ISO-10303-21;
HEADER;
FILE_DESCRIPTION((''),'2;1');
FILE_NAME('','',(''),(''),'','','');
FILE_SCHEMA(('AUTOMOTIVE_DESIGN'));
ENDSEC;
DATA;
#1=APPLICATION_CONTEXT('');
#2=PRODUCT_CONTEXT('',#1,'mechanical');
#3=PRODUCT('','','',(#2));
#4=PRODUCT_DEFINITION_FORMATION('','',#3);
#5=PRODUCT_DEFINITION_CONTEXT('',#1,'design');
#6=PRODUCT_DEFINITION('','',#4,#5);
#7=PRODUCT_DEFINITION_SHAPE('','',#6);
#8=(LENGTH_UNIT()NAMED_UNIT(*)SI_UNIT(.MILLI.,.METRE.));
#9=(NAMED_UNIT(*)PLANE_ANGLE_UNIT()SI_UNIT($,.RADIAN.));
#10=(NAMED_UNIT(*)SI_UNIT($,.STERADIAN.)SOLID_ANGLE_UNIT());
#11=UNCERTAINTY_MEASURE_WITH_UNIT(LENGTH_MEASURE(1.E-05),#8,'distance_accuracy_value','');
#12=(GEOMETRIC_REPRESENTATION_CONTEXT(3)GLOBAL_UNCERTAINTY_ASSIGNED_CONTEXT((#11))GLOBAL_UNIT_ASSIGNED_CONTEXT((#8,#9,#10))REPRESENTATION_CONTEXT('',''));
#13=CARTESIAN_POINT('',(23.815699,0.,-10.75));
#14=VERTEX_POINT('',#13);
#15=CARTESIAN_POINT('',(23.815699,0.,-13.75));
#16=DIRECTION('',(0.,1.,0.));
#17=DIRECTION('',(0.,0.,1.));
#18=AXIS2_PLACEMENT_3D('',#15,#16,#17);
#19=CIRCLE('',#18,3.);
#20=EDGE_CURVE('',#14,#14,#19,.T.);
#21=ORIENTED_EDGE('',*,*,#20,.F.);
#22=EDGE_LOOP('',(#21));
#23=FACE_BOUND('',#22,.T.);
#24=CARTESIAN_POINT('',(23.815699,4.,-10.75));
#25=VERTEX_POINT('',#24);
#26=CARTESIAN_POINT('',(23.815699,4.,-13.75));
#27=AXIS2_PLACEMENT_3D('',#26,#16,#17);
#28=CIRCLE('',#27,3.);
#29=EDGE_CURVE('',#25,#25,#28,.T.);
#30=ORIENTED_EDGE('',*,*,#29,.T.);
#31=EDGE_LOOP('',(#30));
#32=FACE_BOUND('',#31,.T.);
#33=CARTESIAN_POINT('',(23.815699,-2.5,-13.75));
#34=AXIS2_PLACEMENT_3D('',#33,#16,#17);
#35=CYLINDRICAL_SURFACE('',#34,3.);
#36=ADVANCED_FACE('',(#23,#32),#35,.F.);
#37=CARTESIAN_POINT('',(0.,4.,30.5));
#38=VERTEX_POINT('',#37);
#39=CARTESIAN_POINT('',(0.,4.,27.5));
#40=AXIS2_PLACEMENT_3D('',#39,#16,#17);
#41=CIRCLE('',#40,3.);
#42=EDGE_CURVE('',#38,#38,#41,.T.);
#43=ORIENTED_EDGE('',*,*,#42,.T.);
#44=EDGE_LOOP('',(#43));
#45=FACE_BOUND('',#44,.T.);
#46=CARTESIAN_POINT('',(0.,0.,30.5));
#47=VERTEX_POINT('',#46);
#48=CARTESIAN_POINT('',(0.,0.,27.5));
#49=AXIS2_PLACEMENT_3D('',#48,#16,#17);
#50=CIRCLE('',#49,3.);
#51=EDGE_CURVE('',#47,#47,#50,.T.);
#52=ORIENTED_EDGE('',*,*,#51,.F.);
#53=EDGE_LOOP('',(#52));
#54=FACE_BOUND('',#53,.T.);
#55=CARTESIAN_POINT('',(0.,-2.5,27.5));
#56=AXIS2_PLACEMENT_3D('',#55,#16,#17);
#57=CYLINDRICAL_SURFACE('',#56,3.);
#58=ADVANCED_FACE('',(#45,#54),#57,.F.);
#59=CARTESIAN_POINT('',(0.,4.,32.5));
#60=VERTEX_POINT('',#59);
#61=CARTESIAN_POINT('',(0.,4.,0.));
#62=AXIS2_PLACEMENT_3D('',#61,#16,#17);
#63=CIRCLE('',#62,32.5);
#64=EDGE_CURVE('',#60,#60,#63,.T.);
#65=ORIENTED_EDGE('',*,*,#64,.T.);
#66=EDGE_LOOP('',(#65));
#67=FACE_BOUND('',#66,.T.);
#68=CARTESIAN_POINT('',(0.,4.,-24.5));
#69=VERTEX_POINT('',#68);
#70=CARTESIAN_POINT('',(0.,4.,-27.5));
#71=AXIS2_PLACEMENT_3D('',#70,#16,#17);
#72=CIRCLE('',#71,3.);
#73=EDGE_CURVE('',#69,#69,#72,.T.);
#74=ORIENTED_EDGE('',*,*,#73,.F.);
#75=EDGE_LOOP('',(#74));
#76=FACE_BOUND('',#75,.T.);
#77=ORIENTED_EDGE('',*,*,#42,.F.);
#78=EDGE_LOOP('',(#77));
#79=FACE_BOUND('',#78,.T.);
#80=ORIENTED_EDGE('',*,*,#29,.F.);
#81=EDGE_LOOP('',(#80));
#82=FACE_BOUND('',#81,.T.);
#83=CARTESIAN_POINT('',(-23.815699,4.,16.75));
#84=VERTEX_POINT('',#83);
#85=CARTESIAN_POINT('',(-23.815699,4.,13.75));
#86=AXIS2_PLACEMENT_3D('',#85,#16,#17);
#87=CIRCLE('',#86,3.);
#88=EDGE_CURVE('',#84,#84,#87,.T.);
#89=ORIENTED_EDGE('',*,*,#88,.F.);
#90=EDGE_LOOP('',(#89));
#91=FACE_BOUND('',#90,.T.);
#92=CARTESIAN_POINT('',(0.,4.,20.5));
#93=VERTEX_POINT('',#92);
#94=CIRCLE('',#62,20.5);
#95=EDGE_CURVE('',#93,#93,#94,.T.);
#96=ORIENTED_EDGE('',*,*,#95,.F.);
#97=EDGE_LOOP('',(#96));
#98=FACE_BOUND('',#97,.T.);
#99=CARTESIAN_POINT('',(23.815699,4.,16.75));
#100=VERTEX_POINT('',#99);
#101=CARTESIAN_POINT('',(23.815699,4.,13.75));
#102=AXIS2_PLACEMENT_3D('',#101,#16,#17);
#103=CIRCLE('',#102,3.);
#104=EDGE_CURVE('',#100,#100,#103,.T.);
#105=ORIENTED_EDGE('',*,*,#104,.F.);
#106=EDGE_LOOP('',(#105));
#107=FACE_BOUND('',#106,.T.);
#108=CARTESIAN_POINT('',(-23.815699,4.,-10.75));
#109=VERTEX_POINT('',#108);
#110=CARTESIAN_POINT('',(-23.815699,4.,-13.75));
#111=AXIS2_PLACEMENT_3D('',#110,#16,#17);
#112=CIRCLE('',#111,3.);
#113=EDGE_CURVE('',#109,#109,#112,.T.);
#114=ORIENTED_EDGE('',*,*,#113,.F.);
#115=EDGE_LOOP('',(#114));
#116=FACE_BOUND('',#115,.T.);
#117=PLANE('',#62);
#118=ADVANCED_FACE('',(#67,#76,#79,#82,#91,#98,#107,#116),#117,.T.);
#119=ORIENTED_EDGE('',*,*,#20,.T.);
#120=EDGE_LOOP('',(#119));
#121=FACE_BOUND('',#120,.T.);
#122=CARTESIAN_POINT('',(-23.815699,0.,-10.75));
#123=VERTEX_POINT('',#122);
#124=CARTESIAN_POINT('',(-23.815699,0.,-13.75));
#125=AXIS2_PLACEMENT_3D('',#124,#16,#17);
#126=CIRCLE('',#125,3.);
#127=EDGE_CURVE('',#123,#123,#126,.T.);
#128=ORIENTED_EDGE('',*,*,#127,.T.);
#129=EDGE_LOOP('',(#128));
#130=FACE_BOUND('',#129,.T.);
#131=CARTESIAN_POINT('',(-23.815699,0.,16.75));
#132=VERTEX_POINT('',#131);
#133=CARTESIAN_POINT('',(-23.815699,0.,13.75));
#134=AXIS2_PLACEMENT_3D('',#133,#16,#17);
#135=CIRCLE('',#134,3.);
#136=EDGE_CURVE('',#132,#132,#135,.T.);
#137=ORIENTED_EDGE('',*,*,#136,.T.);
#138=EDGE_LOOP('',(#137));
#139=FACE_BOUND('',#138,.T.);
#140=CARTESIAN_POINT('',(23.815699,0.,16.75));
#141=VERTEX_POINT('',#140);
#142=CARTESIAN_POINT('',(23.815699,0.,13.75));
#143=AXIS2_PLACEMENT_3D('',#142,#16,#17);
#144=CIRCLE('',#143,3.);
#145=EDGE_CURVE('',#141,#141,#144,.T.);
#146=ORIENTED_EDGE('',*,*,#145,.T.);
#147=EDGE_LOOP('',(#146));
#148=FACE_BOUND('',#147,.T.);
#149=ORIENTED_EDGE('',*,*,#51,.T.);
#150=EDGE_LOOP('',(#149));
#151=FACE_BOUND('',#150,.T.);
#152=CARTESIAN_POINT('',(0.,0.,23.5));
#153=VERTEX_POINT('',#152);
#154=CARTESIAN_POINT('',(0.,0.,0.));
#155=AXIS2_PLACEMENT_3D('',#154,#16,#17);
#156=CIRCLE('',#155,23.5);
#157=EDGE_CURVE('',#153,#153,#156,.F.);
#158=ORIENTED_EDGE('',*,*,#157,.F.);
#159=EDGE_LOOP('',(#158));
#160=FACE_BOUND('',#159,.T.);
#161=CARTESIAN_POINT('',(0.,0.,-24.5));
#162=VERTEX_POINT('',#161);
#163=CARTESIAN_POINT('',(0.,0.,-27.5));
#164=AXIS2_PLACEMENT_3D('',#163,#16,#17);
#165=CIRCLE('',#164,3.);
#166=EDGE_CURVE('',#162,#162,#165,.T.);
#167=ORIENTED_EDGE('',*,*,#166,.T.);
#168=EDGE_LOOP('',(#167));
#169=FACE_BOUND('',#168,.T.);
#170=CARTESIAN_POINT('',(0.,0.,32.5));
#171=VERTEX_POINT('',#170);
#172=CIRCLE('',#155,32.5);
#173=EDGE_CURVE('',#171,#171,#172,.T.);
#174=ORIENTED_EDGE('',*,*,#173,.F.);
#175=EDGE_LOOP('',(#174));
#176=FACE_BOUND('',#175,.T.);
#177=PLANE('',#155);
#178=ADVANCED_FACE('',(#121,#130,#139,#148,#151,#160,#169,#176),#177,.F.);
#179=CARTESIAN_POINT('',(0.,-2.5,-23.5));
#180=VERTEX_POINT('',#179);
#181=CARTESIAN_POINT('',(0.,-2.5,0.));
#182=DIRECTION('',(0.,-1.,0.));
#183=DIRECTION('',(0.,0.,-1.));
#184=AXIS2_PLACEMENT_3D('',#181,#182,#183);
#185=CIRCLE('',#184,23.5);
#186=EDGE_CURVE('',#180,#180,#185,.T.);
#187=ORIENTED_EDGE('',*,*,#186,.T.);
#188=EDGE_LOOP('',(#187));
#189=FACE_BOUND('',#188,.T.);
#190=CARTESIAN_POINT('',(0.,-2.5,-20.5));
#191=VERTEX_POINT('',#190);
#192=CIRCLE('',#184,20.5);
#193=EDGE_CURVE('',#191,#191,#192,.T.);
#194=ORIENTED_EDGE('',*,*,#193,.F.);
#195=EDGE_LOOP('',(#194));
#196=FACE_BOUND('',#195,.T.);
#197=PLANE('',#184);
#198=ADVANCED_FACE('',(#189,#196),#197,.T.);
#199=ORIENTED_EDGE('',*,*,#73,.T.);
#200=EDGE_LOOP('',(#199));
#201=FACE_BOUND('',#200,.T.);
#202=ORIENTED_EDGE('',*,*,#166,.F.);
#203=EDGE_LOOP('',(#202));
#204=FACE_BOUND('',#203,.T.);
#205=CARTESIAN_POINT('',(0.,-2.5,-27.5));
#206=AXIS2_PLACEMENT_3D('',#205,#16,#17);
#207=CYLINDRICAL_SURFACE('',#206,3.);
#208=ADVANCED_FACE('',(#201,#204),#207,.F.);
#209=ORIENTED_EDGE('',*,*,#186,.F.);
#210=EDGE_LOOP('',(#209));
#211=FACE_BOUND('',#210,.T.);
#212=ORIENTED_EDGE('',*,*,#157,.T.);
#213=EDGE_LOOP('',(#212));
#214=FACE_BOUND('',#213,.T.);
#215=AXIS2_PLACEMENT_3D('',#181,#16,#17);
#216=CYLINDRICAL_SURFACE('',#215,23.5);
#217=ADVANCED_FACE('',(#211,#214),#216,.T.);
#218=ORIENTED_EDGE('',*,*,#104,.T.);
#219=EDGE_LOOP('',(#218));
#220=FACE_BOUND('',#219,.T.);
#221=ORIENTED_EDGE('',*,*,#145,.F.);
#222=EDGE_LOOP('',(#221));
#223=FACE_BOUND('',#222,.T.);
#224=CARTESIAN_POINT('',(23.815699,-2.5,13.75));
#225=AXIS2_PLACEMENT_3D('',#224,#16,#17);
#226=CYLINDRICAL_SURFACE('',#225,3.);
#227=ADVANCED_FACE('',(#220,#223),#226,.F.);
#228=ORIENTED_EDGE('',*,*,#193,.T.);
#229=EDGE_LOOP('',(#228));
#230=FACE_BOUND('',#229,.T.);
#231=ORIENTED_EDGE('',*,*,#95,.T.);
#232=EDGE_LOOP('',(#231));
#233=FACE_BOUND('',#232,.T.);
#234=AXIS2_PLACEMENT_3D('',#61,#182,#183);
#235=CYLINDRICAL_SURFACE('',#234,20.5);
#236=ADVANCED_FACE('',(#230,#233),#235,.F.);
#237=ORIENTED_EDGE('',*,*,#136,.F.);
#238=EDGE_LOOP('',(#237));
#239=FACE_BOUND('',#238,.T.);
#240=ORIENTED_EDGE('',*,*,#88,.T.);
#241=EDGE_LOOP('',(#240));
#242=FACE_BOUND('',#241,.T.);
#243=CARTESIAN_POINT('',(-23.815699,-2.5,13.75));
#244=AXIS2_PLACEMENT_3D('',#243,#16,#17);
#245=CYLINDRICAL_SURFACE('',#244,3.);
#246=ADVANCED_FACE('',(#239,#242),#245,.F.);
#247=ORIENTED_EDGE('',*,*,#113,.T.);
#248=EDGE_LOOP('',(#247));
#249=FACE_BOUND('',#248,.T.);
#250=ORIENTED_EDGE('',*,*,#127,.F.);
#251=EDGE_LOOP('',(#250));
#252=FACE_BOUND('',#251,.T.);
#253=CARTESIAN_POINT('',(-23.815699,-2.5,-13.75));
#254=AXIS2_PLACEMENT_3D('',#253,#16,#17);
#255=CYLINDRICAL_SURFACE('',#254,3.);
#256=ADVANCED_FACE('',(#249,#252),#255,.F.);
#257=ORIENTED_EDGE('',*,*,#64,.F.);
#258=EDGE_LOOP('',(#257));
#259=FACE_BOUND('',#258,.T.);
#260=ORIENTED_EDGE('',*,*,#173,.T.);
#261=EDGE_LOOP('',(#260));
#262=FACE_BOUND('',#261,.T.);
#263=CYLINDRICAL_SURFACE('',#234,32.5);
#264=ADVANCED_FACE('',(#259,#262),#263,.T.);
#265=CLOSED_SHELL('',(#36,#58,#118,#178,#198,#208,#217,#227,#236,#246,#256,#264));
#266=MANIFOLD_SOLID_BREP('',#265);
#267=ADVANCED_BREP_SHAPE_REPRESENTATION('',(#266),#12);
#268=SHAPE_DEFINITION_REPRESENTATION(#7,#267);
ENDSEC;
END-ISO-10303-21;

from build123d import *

# Parameters (mm, degrees)
SKETCH1_R               = 32.5
SKETCH1_R_2             = 20.5
BOSS_EXTRUDE1_DEPTH     = 4
SKETCH2_R               = 23.5
SKETCH2_R_2             = 20.5
BOSS_EXTRUDE2_DEPTH     = 2.5
SKETCH3_R               = 3
CUT_EXTRUDE1_DEPTH      = 1
CUT_EXTRUDE1_DEPTH_BACK = 7.5


with BuildPart() as part:
    # Sketch1 → Boss-Extrude1 (new body)
    with BuildSketch(Plane(origin=(0, 0, 0), x_dir=(1, 0, 0), z_dir=(0, 1, 0))):
        Circle(SKETCH1_R)
        Circle(SKETCH1_R_2, mode=Mode.SUBTRACT)
    extrude(amount=BOSS_EXTRUDE1_DEPTH)

    # Sketch2 → Boss-Extrude2 (add)
    with BuildSketch(Plane.XZ):
        Circle(SKETCH2_R)
        Circle(SKETCH2_R_2, mode=Mode.SUBTRACT)
    extrude(amount=BOSS_EXTRUDE2_DEPTH)

    # Sketch3 → Cut-Extrude1 (cut, two sides)
    with BuildSketch(Plane(origin=(0, 4, 0), x_dir=(1, 0, 0), z_dir=(0, 1, 0))) as cut_extrude1_sk:
        with Locations((0, 27.5)):
            Circle(SKETCH3_R)
        with Locations((23.815698604, 13.75)):
            Circle(SKETCH3_R)
        with Locations((23.815698604, -13.75)):
            Circle(SKETCH3_R)
        with Locations((0, -27.5)):
            Circle(SKETCH3_R)
        with Locations((-23.815698604, -13.75)):
            Circle(SKETCH3_R)
        with Locations((-23.815698604, 13.75)):
            Circle(SKETCH3_R)
    extrude(amount=CUT_EXTRUDE1_DEPTH, mode=Mode.SUBTRACT)
    extrude(cut_extrude1_sk.sketch, amount=-CUT_EXTRUDE1_DEPTH_BACK, mode=Mode.SUBTRACT)


solid = part.part
